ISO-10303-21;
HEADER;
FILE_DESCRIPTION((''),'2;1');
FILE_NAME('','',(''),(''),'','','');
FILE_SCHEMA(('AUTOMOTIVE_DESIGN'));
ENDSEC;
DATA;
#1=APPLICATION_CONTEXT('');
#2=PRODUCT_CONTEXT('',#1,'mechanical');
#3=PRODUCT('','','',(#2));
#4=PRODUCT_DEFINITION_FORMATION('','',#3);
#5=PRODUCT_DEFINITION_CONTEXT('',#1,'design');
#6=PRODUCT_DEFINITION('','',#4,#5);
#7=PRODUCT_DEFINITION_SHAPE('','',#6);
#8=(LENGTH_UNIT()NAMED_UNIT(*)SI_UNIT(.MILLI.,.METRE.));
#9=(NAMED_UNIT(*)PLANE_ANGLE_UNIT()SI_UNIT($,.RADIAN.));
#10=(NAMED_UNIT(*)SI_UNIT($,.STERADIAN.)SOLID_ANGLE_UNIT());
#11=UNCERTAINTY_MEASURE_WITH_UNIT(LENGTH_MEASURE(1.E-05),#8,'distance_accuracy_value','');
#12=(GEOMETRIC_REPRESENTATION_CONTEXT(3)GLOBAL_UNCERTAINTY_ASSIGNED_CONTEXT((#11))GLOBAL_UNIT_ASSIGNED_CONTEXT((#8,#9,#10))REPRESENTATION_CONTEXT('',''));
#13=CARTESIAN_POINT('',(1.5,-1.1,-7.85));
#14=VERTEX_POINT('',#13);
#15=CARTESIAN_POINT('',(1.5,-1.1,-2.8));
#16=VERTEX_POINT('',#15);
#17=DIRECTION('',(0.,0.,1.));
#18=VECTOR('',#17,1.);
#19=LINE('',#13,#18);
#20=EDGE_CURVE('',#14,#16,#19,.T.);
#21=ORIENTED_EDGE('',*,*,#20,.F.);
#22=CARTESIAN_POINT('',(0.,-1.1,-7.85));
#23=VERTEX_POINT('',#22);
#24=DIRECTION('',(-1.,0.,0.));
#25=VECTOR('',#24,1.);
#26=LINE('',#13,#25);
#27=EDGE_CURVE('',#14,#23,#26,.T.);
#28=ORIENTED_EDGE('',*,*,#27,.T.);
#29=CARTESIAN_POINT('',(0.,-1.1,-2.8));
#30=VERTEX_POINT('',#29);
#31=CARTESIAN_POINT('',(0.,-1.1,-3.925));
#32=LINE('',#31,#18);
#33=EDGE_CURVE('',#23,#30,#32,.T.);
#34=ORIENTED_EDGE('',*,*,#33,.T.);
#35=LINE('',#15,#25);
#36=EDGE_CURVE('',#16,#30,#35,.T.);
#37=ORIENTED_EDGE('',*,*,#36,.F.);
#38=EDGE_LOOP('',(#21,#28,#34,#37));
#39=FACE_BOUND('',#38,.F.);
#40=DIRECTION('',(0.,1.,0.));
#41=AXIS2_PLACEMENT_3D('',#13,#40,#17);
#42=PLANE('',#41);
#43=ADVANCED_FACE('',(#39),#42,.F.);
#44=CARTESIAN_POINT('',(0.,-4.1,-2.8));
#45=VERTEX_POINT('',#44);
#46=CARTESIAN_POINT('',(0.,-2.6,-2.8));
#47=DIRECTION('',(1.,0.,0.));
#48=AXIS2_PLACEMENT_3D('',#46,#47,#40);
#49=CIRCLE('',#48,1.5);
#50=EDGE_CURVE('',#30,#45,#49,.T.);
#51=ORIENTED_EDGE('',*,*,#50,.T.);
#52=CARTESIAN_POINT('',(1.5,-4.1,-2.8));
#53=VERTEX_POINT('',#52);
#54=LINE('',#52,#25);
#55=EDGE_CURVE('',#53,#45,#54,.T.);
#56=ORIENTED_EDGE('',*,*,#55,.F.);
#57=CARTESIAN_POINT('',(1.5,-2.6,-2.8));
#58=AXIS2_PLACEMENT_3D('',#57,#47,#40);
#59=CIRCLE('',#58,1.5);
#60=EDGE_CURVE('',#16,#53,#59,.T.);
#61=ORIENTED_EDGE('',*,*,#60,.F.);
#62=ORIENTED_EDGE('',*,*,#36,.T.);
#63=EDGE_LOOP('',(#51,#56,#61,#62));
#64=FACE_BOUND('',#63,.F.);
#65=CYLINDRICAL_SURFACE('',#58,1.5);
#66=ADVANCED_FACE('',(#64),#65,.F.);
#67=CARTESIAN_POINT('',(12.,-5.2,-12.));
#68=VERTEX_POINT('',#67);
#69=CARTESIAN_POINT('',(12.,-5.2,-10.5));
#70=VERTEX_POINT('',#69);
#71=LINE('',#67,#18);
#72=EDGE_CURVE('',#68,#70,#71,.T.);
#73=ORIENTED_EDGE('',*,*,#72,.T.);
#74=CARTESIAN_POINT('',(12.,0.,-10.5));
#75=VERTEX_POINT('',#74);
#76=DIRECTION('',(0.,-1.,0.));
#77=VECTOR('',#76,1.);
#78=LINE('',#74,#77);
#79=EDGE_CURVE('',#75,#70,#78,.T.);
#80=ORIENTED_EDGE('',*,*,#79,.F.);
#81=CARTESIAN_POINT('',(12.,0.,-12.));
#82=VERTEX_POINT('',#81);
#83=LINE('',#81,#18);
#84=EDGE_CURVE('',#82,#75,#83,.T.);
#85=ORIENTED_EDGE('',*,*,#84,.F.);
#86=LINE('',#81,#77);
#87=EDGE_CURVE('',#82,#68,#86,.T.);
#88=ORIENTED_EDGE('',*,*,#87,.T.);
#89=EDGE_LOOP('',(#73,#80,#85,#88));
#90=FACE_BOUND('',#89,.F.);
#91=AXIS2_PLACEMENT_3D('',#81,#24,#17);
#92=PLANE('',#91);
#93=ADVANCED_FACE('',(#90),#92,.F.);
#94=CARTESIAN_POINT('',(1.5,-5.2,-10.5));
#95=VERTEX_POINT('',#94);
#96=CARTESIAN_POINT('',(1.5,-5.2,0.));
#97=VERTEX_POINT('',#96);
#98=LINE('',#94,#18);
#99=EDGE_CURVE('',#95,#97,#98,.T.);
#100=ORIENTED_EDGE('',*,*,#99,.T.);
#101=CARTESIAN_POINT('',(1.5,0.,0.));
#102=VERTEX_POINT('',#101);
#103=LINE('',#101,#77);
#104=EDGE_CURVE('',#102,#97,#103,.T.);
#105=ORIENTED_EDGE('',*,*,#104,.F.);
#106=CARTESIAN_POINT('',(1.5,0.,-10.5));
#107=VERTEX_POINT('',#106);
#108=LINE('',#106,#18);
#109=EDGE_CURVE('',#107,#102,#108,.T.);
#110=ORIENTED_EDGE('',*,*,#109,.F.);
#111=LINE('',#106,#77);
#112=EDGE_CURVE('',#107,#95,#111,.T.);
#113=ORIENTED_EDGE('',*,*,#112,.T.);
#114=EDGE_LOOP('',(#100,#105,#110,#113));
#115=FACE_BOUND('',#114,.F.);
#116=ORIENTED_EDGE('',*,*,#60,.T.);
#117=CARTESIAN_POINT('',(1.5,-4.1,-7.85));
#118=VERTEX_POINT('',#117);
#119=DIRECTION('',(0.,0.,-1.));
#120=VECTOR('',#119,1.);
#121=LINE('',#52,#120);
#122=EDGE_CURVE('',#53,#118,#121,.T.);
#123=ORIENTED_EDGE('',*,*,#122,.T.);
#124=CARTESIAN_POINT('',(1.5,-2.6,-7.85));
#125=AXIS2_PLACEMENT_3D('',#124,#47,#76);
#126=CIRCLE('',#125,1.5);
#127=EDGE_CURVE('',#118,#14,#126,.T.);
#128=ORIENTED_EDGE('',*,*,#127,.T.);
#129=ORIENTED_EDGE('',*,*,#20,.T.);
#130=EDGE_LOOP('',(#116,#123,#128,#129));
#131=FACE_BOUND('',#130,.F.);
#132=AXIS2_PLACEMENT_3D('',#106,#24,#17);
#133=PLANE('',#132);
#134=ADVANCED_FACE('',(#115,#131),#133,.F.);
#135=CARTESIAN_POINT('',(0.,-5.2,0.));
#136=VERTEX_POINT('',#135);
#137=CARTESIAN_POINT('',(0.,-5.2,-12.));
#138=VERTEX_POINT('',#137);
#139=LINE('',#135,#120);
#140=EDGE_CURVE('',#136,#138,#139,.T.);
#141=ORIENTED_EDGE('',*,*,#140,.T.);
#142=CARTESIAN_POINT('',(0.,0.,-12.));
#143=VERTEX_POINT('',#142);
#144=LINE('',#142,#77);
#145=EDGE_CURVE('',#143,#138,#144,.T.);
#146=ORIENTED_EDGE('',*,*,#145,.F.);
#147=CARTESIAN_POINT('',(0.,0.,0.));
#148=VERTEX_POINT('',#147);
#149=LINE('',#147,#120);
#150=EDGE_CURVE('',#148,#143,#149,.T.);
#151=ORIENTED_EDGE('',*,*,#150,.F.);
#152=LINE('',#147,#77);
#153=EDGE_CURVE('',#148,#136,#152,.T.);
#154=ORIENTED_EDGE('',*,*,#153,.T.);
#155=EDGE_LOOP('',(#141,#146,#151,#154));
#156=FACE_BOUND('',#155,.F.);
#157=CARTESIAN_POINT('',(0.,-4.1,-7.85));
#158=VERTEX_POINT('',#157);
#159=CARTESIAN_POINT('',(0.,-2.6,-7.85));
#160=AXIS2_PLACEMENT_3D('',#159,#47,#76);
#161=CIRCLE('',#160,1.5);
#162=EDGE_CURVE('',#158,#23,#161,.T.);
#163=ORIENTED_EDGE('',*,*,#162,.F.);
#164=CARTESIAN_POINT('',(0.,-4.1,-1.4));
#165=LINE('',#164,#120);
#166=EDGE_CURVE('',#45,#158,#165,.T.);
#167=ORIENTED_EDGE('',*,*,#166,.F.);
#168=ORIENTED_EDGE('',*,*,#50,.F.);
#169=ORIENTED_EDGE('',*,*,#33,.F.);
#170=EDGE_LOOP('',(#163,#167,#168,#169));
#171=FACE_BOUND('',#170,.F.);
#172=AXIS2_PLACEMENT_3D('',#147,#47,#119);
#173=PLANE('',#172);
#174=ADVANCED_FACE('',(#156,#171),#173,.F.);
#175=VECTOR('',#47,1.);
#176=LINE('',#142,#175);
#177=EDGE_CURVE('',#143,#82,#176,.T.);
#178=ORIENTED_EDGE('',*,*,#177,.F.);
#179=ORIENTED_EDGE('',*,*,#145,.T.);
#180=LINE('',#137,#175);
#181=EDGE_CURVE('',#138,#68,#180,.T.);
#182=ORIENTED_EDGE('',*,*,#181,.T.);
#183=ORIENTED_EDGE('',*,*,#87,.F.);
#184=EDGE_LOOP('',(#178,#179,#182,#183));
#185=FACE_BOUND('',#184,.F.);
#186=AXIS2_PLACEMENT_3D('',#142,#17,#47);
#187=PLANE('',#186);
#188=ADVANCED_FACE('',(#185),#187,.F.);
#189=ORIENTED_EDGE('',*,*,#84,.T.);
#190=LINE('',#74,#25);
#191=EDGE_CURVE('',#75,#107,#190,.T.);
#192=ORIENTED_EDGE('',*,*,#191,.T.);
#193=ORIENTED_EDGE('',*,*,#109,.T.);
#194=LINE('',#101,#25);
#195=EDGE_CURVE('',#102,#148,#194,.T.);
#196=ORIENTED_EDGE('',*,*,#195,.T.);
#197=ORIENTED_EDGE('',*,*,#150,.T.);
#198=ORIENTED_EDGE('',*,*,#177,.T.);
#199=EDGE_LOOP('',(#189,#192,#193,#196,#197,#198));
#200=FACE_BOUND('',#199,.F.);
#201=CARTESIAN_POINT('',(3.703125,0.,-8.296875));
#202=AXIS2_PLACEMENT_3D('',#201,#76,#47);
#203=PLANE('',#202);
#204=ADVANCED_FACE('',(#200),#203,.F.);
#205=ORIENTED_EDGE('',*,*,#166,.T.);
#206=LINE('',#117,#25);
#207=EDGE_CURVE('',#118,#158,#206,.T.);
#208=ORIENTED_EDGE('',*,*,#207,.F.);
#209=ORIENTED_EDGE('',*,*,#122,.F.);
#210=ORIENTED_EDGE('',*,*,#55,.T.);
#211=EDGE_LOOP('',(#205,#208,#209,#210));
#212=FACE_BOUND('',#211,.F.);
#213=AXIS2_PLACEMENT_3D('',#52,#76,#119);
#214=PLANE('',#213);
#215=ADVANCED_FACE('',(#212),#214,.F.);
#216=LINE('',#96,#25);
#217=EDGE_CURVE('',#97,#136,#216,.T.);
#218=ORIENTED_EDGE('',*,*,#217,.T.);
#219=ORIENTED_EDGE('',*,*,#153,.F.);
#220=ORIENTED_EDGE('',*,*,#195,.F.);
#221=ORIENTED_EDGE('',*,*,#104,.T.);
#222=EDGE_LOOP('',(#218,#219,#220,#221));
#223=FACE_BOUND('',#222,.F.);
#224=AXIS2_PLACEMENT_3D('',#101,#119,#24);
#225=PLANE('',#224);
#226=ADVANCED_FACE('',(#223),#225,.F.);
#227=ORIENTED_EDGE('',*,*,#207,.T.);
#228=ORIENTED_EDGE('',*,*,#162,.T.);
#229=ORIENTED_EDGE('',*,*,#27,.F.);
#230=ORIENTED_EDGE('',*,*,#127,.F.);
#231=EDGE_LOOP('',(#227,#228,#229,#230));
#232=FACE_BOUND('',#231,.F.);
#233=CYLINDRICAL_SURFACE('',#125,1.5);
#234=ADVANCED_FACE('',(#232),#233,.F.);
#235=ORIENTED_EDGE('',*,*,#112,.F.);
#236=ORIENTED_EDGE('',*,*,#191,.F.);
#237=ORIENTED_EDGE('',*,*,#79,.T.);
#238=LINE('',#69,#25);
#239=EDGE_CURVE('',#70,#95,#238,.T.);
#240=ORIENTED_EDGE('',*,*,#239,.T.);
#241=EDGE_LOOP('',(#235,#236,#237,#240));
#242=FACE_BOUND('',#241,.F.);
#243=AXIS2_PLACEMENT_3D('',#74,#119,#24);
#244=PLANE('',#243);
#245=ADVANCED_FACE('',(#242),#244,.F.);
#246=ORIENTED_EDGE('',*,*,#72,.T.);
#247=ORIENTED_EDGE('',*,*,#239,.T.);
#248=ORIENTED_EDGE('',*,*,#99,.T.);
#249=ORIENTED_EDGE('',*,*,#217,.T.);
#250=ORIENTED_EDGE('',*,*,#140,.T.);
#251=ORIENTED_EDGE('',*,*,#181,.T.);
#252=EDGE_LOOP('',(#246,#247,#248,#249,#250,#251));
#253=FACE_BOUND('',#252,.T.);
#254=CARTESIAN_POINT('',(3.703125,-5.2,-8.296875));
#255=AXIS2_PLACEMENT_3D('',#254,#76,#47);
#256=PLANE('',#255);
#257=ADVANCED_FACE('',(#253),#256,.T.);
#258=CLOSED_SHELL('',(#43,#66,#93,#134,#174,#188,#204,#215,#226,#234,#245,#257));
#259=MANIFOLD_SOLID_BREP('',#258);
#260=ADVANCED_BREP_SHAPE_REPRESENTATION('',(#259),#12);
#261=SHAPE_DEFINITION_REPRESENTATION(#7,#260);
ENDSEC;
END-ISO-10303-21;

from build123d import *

# Parameters (mm, degrees)
F1_DEPTH = 5.2
F3_DEPTH = 25


with BuildPart() as f1:
    # F0 (on Front) → F1 (new body)
    with BuildSketch(Plane.XZ):
        Polygon((1.5, 0), (0, 0), (0, -12), (12, -12), (12, -10.5), (1.5, -10.5), align=None)
    extrude(amount=F1_DEPTH)

    # F2 (on face) → F3 (cut)
    with BuildSketch(Plane.YZ.offset(1.5)):
        with BuildLine():
            ThreePointArc((-4.1, -7.85), (-2.6, -9.35), (-1.1, -7.85))
            Line((-1.1, -7.85), (-1.1, -2.8))
            ThreePointArc((-1.1, -2.8), (-2.6, -1.3), (-4.1, -2.8))
            Line((-4.1, -2.8), (-4.1, -7.85))
        make_face()
    extrude(amount=-F3_DEPTH, mode=Mode.SUBTRACT)


solid = f1.part
